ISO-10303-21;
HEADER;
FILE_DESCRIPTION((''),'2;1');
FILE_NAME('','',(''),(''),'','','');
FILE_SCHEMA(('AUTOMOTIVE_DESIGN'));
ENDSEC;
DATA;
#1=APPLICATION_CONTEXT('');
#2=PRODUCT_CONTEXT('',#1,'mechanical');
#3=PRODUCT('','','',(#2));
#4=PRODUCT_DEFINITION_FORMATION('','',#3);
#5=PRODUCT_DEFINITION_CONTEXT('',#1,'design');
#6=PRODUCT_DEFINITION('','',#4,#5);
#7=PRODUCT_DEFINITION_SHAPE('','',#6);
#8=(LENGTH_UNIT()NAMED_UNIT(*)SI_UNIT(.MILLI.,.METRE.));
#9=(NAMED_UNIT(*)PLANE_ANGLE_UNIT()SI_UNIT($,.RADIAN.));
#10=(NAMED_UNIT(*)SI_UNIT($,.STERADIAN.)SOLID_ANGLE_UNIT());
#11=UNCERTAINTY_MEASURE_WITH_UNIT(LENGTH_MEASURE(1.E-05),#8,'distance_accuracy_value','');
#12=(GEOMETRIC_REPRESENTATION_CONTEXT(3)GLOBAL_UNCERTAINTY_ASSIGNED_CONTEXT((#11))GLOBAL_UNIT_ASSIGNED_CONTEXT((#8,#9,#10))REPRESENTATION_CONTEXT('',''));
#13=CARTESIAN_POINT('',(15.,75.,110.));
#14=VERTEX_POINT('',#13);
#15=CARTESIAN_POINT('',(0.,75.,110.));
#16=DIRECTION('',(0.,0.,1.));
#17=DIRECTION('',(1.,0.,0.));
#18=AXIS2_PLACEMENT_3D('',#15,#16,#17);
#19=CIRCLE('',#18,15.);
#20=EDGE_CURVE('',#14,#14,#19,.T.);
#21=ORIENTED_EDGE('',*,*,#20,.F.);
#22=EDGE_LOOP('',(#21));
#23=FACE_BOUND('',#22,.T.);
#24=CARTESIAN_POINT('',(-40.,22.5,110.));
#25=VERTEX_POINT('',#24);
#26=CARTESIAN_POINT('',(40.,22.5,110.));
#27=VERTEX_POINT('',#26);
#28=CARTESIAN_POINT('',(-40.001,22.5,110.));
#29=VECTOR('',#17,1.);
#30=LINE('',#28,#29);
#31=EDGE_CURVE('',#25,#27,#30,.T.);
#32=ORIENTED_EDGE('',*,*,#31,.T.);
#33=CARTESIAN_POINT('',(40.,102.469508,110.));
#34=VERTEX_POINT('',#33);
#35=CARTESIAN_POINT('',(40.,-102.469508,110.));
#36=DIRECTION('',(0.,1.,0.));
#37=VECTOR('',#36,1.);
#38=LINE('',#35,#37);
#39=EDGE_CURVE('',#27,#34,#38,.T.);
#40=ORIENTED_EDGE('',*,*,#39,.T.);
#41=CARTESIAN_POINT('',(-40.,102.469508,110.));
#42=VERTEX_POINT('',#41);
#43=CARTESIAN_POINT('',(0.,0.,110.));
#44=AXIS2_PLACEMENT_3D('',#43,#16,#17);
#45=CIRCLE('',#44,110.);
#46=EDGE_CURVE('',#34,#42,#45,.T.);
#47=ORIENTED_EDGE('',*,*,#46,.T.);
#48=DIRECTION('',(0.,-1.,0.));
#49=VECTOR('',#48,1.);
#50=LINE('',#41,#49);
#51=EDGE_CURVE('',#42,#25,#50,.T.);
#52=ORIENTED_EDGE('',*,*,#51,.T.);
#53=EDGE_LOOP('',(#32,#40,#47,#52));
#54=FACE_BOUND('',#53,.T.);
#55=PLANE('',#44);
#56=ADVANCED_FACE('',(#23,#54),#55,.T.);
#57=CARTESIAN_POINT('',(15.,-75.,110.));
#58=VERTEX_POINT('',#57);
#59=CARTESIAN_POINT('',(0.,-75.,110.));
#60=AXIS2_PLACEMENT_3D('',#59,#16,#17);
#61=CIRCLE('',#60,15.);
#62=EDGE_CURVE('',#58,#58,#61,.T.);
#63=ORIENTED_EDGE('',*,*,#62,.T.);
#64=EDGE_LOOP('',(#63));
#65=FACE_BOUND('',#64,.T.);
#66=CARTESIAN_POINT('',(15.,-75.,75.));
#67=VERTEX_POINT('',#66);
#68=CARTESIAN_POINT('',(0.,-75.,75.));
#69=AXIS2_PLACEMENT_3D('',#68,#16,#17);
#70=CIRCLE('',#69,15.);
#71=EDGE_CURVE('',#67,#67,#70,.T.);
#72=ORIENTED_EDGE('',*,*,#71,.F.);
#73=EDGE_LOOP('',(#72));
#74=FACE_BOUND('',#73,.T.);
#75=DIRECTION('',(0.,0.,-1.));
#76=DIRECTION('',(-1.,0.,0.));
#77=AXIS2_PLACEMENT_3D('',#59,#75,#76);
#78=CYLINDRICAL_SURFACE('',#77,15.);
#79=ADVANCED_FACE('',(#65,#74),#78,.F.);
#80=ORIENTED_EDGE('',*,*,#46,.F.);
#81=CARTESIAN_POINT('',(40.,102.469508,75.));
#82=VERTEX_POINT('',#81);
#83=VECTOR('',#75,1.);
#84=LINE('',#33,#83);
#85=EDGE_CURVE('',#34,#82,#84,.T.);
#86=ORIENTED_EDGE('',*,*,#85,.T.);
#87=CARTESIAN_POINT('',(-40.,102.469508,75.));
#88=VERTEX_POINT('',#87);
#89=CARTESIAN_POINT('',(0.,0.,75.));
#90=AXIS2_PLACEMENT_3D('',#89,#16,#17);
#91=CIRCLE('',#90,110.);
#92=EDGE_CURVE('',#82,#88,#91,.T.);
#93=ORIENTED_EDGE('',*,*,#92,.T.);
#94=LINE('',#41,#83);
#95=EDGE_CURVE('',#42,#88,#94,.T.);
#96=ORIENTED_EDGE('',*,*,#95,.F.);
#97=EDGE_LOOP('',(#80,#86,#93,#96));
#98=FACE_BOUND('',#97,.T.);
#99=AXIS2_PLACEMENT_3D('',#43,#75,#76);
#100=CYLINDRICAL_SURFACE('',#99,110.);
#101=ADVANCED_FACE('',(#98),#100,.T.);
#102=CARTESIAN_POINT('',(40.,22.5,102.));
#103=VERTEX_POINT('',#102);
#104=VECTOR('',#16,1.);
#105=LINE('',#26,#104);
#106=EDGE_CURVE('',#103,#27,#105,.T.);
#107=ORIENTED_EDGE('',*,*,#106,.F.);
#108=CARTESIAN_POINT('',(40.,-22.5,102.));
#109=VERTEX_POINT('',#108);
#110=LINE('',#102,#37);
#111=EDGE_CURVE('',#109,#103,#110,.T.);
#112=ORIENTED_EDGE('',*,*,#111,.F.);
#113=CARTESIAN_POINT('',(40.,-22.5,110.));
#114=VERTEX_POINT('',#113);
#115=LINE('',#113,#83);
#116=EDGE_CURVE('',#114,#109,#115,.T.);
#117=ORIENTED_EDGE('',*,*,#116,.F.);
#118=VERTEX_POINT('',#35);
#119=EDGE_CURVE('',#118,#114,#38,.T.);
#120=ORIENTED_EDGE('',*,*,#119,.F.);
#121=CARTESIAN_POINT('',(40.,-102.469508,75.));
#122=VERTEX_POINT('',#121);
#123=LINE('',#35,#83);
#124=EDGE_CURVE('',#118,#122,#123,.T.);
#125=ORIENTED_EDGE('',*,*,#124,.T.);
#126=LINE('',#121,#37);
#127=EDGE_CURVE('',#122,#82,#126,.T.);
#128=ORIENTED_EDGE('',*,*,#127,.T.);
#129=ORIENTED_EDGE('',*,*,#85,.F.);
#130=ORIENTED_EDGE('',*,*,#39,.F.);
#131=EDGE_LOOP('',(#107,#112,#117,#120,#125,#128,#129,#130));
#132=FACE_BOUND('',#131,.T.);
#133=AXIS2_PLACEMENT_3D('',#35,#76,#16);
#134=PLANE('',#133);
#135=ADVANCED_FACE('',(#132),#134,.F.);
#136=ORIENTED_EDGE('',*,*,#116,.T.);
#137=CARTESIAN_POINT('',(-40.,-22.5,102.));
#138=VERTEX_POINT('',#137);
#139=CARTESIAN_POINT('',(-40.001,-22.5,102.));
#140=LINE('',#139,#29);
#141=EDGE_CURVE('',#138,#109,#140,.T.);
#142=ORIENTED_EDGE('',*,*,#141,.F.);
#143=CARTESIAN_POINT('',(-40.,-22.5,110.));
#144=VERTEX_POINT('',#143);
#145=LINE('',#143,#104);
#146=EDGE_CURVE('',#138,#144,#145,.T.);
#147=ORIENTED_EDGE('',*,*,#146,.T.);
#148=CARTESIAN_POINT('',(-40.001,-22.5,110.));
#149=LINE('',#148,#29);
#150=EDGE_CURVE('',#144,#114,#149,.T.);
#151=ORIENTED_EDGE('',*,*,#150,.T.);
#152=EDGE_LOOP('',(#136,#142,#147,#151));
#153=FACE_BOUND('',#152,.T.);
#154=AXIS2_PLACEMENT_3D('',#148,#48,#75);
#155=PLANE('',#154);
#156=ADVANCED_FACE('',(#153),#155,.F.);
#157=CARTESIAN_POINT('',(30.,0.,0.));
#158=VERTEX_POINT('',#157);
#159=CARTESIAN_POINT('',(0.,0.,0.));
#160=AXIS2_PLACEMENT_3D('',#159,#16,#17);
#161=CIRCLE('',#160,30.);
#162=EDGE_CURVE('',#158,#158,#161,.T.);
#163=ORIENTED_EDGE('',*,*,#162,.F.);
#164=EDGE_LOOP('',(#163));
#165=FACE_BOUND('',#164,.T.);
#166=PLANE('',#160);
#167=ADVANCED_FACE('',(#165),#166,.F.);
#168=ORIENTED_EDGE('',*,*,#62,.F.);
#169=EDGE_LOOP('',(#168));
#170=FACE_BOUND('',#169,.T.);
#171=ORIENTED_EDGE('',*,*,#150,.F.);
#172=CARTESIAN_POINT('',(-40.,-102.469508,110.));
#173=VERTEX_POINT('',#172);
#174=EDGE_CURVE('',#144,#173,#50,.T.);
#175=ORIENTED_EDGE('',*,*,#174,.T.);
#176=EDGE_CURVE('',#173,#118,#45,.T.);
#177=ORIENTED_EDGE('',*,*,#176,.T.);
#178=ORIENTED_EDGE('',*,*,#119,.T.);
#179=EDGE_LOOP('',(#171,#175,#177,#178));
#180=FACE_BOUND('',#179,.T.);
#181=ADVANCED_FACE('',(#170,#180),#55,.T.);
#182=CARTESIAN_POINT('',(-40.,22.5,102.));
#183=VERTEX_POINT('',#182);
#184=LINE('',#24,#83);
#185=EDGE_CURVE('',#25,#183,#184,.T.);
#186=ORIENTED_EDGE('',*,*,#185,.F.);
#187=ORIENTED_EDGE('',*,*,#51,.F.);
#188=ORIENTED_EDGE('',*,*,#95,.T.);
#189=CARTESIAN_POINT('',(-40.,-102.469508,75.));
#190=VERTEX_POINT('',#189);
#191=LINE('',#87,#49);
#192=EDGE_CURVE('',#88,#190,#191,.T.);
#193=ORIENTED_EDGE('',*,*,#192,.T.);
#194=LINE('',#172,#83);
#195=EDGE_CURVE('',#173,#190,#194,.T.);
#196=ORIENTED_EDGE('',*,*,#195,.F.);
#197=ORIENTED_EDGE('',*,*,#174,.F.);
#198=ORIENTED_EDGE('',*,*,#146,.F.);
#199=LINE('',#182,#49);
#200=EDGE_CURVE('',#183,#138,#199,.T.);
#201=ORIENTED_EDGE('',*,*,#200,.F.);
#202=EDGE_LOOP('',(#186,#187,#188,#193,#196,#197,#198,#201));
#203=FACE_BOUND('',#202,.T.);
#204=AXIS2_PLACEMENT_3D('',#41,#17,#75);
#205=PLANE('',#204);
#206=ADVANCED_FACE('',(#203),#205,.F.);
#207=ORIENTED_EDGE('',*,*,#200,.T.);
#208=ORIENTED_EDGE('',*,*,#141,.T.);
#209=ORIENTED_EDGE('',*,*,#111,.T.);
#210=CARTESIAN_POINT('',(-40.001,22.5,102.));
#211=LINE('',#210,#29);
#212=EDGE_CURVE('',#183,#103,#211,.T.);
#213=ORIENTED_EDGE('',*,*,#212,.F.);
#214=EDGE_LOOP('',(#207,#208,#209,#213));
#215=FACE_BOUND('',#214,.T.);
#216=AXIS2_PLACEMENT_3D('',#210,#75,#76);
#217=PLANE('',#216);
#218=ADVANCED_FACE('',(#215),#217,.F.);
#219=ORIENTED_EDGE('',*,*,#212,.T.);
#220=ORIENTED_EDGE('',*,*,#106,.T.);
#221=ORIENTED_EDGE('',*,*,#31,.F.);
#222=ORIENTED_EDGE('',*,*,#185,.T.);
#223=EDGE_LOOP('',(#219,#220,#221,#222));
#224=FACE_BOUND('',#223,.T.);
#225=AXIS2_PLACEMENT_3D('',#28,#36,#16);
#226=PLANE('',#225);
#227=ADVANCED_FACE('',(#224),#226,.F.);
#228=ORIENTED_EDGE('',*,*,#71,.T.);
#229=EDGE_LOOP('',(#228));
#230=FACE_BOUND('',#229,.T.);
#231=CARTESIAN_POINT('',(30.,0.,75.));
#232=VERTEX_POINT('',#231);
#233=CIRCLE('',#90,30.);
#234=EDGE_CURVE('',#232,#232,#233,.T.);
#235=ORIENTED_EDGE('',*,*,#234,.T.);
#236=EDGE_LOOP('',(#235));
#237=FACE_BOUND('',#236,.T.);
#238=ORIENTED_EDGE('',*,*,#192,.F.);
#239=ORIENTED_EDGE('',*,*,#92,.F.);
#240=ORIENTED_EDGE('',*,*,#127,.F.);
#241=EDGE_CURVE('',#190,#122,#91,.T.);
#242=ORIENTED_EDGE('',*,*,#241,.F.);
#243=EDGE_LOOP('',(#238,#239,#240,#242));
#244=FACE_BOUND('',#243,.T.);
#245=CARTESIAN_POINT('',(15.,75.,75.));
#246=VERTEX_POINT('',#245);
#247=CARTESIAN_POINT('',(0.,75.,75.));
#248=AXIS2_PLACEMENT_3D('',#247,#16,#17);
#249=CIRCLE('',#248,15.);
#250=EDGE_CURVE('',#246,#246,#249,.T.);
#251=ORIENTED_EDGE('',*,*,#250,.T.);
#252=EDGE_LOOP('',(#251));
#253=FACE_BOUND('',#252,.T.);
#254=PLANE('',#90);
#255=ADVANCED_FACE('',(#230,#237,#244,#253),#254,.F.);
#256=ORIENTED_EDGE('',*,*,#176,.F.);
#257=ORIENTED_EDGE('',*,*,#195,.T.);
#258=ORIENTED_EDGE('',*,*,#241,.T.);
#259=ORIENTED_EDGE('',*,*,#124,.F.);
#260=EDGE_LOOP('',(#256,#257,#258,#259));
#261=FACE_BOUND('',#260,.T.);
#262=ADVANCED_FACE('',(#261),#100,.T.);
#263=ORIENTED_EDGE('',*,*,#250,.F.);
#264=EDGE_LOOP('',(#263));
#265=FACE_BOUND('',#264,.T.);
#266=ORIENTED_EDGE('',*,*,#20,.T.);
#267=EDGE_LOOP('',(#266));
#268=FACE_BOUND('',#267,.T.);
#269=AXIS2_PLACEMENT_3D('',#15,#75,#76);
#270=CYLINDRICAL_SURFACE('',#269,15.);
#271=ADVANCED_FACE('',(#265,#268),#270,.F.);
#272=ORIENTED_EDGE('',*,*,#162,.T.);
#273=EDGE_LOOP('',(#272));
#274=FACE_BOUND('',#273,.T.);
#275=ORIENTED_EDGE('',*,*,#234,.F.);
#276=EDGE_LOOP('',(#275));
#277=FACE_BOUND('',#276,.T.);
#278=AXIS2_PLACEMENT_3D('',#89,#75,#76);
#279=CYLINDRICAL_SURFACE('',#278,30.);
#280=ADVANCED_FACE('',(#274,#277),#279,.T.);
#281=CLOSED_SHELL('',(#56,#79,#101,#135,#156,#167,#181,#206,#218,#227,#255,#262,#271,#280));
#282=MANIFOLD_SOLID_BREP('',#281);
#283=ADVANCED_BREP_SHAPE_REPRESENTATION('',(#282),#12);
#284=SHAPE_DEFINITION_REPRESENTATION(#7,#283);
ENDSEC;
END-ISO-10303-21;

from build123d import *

# Parameters (mm, degrees)
SKETCH1_R           = 30
BOSS_EXTRUDE1_DEPTH = 75
SKETCH2_R           = 15
BOSS_EXTRUDE2_DEPTH = 35
CUT_EXTRUDE1_REACH  = 82
SKETCH3_W           = 8
SKETCH3_H           = 45


with BuildPart() as part:
    # Sketch1 → Boss-Extrude1 (new body)
    with BuildSketch(Plane.XY):
        Circle(SKETCH1_R)
    extrude(amount=BOSS_EXTRUDE1_DEPTH)

    # Sketch2 → Boss-Extrude2 (add)
    with BuildSketch(Plane.XY.offset(75)):
        with BuildLine():
            Line((-40, 102.46950766), (-40, -102.46950766))
            ThreePointArc((-40, -102.46950766), (0, -110), (40, -102.46950766))
            Line((40, -102.46950766), (40, 102.46950766))
            ThreePointArc((40, 102.46950766), (0, 110), (-40, 102.46950766))
        make_face()
        with Locations((0, -75)):
            Circle(SKETCH2_R, mode=Mode.SUBTRACT)
        with Locations((0, 75)):
            Circle(SKETCH2_R, mode=Mode.SUBTRACT)
    extrude(amount=BOSS_EXTRUDE2_DEPTH)

    # Sketch3 → Cut-Extrude1 (cut, up to next)
    with BuildSketch(Plane(origin=(40, 0, 0), x_dir=(0, 0, -1), z_dir=(1, 0, 0)), mode=Mode.PRIVATE) as cut_extrude1_sk1:
        with Locations((-106, 0)):
            Rectangle(SKETCH3_W, SKETCH3_H)
    cut_extrude1_tool1 = extrude(cut_extrude1_sk1.sketch, amount=-CUT_EXTRUDE1_REACH, mode=Mode.PRIVATE) & part.part
    add(cut_extrude1_tool1.solids().sort_by_distance((40, 0, 106))[0], mode=Mode.SUBTRACT)


solid = part.part
